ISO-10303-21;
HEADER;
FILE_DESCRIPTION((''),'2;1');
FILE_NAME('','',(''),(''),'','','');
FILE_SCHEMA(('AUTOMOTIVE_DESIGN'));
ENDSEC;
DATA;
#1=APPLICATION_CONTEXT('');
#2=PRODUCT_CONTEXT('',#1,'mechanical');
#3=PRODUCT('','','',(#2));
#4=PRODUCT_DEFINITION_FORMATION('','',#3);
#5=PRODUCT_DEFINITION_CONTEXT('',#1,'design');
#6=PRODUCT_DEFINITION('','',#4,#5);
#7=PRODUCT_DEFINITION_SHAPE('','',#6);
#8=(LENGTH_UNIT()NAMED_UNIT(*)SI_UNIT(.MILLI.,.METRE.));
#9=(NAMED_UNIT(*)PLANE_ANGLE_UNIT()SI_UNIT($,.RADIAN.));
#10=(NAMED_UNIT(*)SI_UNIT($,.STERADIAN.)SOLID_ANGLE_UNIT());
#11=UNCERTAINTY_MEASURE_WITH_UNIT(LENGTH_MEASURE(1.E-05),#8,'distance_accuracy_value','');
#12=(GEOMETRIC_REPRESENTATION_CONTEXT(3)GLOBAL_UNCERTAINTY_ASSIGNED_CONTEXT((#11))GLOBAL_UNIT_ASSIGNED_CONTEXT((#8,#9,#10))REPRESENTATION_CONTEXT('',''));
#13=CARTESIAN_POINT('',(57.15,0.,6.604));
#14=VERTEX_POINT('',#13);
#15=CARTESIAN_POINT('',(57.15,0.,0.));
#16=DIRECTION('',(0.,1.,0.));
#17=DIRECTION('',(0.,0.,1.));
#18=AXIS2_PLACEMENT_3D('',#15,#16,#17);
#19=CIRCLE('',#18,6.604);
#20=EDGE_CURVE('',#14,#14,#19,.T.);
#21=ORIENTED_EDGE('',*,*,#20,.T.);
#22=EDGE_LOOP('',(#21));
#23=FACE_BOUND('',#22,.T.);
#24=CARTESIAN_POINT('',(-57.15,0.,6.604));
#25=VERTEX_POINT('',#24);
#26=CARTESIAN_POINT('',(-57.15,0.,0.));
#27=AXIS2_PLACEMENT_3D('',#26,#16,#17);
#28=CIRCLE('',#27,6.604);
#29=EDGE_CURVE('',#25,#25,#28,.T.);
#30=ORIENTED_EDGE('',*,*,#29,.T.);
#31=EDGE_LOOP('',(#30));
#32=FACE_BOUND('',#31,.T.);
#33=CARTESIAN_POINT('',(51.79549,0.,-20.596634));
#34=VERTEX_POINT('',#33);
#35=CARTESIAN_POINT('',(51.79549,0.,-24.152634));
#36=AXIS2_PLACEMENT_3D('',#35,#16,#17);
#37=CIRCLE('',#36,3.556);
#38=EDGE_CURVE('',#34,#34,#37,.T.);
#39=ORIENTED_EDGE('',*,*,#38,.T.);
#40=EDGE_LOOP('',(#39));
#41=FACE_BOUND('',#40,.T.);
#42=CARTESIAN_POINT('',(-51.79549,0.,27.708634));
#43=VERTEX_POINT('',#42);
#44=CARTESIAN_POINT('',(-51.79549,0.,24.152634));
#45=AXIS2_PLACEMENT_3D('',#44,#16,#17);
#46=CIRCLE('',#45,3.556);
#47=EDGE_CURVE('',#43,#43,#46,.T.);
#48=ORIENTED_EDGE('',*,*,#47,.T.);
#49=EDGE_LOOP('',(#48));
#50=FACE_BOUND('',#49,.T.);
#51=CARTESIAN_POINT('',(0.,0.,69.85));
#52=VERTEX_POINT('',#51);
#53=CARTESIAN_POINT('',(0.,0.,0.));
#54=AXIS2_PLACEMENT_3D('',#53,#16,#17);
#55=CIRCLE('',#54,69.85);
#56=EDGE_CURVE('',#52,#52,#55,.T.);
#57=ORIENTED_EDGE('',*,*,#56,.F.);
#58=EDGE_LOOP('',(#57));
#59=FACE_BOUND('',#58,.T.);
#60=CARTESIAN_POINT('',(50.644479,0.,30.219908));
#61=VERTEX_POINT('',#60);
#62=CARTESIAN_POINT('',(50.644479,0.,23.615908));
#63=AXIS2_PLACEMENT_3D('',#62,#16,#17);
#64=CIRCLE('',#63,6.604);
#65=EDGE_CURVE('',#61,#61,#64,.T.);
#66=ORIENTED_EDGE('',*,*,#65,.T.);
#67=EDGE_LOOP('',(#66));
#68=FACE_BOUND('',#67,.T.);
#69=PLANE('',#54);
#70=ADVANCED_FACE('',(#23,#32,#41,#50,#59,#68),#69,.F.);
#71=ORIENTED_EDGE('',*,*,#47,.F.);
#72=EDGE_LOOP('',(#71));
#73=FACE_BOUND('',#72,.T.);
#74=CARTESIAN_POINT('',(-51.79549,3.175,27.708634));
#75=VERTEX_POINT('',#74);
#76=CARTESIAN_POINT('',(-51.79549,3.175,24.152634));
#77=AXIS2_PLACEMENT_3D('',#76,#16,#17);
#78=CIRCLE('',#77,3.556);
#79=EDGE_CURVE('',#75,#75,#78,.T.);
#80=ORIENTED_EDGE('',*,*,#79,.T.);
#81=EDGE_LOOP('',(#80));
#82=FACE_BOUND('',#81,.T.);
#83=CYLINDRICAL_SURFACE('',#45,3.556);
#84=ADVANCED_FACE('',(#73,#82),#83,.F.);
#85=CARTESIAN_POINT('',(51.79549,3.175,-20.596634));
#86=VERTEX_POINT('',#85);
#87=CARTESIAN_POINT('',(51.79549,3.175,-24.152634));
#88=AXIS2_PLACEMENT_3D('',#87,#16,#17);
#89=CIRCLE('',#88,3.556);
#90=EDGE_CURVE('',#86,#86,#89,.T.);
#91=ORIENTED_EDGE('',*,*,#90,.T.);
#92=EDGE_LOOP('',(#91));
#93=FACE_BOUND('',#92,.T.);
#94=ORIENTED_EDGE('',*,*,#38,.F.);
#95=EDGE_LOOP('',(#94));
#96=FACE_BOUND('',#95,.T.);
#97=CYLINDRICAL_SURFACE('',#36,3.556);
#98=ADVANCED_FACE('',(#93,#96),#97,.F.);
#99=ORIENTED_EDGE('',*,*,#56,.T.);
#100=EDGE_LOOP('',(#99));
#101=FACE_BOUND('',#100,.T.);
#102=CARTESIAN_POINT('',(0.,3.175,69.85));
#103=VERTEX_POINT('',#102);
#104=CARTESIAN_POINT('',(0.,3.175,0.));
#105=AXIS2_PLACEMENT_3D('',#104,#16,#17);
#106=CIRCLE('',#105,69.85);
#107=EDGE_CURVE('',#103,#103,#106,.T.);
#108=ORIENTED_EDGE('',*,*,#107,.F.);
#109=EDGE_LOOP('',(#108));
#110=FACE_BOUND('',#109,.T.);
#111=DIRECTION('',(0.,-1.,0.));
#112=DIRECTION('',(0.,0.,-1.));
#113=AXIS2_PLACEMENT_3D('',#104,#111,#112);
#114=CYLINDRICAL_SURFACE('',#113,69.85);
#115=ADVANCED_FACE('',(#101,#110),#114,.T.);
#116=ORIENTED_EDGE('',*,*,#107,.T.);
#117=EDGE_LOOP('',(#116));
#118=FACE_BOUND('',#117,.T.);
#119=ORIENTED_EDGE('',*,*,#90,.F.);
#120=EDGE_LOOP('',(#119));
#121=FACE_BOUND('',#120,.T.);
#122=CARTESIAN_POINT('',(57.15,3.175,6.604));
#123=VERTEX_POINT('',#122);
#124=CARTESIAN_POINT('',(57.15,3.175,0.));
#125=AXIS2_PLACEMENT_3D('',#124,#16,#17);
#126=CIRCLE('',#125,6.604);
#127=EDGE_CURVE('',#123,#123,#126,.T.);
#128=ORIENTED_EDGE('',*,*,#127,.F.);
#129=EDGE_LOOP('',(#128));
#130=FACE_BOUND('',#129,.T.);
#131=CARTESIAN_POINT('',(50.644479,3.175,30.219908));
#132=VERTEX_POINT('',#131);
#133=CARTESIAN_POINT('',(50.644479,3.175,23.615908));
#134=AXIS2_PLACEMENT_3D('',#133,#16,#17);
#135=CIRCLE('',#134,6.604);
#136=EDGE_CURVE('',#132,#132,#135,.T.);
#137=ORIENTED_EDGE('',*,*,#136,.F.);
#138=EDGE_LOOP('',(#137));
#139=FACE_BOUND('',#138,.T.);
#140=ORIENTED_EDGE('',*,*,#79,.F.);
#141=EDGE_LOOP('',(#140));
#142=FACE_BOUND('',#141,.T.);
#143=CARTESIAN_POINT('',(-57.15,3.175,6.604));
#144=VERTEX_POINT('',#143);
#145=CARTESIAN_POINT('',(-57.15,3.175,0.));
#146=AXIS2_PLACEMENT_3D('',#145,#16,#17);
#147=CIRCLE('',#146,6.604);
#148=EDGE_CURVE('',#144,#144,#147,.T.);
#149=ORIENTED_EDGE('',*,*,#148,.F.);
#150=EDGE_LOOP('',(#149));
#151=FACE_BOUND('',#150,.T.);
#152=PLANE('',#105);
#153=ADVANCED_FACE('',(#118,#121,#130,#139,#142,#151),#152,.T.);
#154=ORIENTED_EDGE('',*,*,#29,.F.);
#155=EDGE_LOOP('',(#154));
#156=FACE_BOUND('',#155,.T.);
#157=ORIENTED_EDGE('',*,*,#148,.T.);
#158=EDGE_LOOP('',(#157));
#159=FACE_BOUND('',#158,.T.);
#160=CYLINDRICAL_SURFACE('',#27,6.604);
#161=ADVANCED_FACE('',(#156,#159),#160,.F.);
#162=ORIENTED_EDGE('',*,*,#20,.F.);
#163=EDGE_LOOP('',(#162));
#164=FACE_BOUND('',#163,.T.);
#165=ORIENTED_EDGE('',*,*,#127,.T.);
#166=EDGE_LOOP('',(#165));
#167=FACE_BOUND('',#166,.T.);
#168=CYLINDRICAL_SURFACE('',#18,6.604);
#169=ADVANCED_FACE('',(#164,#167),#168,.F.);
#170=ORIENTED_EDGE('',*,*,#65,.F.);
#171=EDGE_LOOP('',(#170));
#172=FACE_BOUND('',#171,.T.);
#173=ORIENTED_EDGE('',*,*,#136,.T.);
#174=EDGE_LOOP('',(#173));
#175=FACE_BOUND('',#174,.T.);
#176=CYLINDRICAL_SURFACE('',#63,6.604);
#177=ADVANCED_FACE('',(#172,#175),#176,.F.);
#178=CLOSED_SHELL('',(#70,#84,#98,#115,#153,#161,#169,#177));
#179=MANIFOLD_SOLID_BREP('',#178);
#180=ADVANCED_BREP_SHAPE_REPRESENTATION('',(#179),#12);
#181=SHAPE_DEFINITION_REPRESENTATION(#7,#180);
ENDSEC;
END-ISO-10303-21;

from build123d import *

# Parameters (mm, degrees)
SKETCH1_R           = 69.85
BOSS_EXTRUDE1_DEPTH = 3.175
SKETCH2_R           = 3.556
SKETCH2_R_2         = 6.604
CUT_EXTRUDE1_DEPTH  = 3.175


with BuildPart() as part:
    # Sketch1 → Boss-Extrude1 (new body)
    with BuildSketch(Plane(origin=(0, 0, 0), x_dir=(1, 0, 0), z_dir=(0, 1, 0))):
        with Locations(Location((0, 0, 0), (0, 0, 270))):
            Circle(SKETCH1_R)
    extrude(amount=BOSS_EXTRUDE1_DEPTH)

    # Sketch2 → Cut-Extrude1 (cut)
    with BuildSketch(Plane(origin=(0, 3.175, 0), x_dir=(1, 0, 0), z_dir=(0, 1, 0))):
        with Locations(Location((-51.795490029, -24.152633658, 0), (0, 0, 270))):
            Circle(SKETCH2_R)
        with Locations(Location((51.795490029, 24.152633658, 0), (0, 0, 270))):
            Circle(SKETCH2_R)
        with Locations(Location((-57.15, 0, 0), (0, 0, 270))):
            Circle(SKETCH2_R_2)
        with Locations(Location((57.15, 0, 0), (0, 0, 270))):
            Circle(SKETCH2_R_2)
        with Locations(Location((50.64447914, -23.615908466, 0), (0, 0, 270))):
            Circle(SKETCH2_R_2)
    extrude(amount=-CUT_EXTRUDE1_DEPTH, mode=Mode.SUBTRACT)


solid = part.part
